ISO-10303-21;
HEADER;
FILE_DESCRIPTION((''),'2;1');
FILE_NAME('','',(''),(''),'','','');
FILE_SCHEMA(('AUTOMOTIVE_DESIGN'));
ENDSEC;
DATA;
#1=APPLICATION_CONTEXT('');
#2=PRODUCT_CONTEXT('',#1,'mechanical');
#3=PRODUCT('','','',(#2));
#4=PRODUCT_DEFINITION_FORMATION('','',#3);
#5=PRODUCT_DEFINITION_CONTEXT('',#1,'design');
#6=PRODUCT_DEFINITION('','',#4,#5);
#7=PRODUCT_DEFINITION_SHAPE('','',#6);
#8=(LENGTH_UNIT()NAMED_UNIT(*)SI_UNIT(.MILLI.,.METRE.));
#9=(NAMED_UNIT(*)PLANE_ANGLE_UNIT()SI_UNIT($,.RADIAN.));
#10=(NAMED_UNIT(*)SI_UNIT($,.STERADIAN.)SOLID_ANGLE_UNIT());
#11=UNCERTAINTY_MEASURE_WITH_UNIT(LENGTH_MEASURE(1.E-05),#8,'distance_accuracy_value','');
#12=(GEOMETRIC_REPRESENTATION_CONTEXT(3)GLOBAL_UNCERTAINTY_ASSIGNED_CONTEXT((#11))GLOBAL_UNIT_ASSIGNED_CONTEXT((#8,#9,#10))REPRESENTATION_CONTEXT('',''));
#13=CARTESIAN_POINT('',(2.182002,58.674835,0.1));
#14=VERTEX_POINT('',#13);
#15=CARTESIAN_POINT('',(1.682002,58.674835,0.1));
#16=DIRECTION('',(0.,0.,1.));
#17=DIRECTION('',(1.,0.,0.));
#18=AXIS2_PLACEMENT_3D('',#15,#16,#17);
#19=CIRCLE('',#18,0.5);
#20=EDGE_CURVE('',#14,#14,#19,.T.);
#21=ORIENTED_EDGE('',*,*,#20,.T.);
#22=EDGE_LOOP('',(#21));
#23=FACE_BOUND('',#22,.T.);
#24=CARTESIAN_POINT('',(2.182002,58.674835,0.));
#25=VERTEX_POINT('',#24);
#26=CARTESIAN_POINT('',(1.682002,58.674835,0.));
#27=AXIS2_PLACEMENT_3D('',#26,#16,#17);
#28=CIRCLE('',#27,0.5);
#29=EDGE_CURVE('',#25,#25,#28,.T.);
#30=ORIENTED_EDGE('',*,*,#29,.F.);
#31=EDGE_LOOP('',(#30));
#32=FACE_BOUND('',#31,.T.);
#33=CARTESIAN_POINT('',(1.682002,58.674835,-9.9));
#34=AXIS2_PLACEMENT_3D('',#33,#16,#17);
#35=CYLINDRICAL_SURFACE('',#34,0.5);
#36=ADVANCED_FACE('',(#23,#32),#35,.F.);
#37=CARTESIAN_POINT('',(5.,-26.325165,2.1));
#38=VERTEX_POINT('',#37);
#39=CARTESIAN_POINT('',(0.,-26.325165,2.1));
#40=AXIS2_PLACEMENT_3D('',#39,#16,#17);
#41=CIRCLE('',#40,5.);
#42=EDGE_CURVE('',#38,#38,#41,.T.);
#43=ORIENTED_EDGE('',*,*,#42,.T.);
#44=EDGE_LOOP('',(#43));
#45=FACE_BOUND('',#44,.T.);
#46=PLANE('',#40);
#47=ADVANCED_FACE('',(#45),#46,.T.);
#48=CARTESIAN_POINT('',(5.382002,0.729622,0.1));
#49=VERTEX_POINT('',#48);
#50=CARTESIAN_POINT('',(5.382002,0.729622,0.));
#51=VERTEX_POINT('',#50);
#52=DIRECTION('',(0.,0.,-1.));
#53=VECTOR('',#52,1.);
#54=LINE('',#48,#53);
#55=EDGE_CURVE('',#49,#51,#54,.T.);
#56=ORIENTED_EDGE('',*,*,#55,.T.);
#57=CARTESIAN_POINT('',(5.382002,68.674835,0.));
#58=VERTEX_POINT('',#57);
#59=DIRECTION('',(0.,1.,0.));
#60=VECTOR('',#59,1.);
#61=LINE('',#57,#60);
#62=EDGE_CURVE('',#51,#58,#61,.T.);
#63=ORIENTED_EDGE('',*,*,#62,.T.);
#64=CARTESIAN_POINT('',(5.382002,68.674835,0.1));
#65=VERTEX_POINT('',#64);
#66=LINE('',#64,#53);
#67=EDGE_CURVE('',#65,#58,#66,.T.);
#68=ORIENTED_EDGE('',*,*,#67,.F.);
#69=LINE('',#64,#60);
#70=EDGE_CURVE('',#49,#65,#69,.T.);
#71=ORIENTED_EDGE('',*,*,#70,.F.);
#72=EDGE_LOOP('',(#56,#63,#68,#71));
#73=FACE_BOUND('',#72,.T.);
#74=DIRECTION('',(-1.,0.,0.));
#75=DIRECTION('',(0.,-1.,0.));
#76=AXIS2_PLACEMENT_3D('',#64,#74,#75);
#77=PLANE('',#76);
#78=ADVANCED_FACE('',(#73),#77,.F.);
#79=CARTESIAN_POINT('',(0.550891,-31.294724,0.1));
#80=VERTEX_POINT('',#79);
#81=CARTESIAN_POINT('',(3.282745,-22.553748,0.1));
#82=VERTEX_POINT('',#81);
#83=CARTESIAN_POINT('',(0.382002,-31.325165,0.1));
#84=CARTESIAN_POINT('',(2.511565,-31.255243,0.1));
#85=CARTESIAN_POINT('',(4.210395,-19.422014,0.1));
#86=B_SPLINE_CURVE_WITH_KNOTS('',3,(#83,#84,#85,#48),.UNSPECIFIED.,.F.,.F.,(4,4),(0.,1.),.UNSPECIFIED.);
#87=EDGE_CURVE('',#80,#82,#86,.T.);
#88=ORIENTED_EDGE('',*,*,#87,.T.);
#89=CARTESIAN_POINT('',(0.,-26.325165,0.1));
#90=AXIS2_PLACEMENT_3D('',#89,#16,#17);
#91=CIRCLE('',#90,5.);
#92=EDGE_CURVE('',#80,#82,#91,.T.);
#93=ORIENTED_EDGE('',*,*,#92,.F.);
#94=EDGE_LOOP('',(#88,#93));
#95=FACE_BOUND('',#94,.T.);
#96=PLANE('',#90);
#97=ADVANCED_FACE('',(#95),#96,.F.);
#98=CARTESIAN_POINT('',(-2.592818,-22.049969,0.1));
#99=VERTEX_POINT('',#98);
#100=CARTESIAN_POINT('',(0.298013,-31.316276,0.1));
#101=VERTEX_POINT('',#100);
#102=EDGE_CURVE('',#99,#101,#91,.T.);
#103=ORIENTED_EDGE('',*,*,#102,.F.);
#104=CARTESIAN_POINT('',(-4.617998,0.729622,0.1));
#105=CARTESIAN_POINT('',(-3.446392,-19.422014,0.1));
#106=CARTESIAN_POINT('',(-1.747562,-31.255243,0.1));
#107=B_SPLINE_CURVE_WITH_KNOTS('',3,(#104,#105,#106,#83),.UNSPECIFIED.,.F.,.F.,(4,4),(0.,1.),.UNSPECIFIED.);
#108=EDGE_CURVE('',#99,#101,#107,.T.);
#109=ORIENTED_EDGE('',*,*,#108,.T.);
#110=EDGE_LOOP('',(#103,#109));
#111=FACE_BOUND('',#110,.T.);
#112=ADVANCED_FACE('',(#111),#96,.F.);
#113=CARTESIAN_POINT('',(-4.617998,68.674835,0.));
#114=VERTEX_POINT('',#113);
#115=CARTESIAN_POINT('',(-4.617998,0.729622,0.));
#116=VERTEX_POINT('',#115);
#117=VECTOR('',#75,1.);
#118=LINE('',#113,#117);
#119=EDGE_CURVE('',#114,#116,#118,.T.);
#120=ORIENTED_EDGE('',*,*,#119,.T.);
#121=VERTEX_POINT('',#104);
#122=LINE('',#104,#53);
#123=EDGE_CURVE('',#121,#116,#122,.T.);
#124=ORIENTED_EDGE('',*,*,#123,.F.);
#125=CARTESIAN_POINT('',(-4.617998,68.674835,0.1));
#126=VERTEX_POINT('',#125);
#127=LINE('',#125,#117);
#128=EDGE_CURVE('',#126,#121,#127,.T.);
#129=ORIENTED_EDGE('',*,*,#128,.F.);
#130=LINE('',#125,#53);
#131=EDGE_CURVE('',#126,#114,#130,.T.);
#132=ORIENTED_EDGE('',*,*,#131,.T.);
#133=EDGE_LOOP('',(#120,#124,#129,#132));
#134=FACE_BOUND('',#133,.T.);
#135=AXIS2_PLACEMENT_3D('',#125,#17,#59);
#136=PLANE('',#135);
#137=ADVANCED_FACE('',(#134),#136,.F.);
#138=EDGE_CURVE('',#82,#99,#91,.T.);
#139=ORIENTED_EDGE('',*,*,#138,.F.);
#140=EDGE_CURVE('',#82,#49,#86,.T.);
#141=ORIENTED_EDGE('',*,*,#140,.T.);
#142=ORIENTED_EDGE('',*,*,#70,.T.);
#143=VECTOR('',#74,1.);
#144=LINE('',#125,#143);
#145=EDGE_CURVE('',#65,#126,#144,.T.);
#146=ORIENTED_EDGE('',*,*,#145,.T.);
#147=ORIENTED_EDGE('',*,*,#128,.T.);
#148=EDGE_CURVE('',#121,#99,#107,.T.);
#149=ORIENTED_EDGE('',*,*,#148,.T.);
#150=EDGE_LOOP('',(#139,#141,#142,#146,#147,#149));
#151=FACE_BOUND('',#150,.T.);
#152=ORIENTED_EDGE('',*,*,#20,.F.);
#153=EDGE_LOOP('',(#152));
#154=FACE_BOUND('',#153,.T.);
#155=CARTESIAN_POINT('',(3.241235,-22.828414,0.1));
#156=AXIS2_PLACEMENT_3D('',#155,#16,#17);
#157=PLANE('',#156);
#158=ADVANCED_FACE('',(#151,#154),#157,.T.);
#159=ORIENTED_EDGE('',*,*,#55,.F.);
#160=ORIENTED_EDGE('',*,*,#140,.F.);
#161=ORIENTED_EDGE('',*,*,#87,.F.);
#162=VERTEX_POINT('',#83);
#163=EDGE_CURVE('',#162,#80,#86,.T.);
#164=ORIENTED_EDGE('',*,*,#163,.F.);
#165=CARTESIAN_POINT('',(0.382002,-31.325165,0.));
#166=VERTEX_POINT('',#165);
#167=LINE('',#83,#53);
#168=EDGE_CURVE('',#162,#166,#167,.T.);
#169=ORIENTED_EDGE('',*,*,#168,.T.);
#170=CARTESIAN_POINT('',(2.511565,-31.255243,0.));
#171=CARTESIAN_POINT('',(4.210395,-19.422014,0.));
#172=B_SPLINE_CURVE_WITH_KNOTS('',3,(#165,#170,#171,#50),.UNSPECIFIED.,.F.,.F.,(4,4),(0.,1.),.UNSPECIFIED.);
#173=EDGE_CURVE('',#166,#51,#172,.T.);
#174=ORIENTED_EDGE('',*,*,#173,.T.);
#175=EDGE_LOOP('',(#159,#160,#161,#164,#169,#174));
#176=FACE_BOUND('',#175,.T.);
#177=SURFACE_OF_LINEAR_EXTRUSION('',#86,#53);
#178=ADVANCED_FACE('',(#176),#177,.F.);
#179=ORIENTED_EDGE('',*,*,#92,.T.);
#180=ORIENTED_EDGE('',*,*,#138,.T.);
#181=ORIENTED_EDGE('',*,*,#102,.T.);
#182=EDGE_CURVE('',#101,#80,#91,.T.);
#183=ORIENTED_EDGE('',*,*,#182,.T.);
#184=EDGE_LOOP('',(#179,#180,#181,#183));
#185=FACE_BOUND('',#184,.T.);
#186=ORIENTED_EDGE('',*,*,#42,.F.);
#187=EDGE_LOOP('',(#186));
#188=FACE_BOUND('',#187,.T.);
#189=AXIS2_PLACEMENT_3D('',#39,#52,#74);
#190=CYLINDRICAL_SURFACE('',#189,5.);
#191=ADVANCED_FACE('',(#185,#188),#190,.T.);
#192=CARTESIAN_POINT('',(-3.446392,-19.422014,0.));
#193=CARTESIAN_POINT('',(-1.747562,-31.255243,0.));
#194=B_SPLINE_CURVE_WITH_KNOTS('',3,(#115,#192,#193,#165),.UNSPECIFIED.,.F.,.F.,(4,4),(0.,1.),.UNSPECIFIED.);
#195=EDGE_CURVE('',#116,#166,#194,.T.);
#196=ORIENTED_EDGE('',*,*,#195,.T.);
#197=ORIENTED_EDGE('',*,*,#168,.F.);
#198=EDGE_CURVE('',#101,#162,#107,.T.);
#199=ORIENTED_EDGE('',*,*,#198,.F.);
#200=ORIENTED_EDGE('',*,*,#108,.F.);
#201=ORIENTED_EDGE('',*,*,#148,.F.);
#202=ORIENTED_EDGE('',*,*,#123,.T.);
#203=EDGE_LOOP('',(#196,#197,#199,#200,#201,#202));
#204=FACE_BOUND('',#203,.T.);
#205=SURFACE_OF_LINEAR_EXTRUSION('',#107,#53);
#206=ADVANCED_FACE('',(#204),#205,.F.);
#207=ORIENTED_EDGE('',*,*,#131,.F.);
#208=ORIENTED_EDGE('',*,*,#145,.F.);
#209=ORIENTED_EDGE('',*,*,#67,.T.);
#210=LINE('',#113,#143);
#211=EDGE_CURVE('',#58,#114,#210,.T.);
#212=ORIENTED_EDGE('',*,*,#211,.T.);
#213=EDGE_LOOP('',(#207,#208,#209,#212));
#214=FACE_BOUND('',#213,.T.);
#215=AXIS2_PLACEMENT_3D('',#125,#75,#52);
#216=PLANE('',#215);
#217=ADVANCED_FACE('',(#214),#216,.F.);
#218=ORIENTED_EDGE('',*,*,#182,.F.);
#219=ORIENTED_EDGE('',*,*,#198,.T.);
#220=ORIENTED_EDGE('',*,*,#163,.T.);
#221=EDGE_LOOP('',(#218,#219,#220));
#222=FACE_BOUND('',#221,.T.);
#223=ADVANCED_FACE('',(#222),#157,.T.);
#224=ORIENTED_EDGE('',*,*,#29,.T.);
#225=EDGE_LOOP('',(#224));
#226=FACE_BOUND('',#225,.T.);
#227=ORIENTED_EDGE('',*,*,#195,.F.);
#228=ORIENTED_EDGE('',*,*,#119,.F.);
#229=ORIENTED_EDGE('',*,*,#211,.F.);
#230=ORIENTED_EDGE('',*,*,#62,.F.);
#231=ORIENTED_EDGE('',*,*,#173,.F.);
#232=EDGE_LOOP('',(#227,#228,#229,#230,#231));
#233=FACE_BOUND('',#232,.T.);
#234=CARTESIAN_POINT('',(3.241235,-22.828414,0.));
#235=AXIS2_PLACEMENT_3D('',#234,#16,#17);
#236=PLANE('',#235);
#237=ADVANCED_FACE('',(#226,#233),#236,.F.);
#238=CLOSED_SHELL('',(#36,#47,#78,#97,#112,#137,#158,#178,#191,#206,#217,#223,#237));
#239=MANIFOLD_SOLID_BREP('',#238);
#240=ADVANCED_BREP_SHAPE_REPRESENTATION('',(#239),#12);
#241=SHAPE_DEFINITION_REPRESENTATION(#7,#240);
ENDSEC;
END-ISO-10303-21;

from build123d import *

# Parameters (mm, degrees)
RESSALTO_EXTRUS_O1_DEPTH = 0.1
ESBO_O2_R                = 5
RESSALTO_EXTRUS_O2_DEPTH = 2
ESBO_O3_R                = 0.5
CORTE_EXTRUS_O1_DEPTH    = 10


with BuildPart() as part:
    # Esboço1 → Ressalto-extrusão1 (new body)
    with BuildSketch(Plane.XY):
        with BuildLine():
            Line((-4.617998397, 68.674835442), (5.382001603, 68.674835442))
            Line((5.382001603, 68.674835442), (5.382001603, 0.729621909))
            add(Edge.make_bspline(
                [(5.382001603, 0.729621909), (4.210394845, -19.422014325), (2.511565046, -31.255242579), (0.382001603, -31.325164558)],
                knots=[0, 0, 0, 0, 1, 1, 1, 1], degree=3))
            add(Edge.make_bspline(
                [(-4.617998397, 0.729621909), (-3.446391639, -19.422014325), (-1.747561841, -31.255242579), (0.382001603, -31.325164558)],
                knots=[0, 0, 0, 0, 1, 1, 1, 1], degree=3))
            Line((-4.617998397, 0.729621909), (-4.617998397, 68.674835442))
        make_face()
    extrude(amount=RESSALTO_EXTRUS_O1_DEPTH)

    # Esboço2 → Ressalto-extrusão2 (add)
    with BuildSketch(Plane.XY.offset(0.1)):
        with Locations(Location((0, -26.325164558, 0), (0, 0, 121.235952795))):
            Circle(ESBO_O2_R)
    extrude(amount=RESSALTO_EXTRUS_O2_DEPTH)

    # Esboço3 → Corte-extrusão1 (cut)
    with BuildSketch(Plane.XY.offset(0.1)):
        with Locations((1.682001603, 58.674835442)):
            Circle(ESBO_O3_R)
    extrude(amount=-CORTE_EXTRUS_O1_DEPTH, mode=Mode.SUBTRACT)


solid = part.part
